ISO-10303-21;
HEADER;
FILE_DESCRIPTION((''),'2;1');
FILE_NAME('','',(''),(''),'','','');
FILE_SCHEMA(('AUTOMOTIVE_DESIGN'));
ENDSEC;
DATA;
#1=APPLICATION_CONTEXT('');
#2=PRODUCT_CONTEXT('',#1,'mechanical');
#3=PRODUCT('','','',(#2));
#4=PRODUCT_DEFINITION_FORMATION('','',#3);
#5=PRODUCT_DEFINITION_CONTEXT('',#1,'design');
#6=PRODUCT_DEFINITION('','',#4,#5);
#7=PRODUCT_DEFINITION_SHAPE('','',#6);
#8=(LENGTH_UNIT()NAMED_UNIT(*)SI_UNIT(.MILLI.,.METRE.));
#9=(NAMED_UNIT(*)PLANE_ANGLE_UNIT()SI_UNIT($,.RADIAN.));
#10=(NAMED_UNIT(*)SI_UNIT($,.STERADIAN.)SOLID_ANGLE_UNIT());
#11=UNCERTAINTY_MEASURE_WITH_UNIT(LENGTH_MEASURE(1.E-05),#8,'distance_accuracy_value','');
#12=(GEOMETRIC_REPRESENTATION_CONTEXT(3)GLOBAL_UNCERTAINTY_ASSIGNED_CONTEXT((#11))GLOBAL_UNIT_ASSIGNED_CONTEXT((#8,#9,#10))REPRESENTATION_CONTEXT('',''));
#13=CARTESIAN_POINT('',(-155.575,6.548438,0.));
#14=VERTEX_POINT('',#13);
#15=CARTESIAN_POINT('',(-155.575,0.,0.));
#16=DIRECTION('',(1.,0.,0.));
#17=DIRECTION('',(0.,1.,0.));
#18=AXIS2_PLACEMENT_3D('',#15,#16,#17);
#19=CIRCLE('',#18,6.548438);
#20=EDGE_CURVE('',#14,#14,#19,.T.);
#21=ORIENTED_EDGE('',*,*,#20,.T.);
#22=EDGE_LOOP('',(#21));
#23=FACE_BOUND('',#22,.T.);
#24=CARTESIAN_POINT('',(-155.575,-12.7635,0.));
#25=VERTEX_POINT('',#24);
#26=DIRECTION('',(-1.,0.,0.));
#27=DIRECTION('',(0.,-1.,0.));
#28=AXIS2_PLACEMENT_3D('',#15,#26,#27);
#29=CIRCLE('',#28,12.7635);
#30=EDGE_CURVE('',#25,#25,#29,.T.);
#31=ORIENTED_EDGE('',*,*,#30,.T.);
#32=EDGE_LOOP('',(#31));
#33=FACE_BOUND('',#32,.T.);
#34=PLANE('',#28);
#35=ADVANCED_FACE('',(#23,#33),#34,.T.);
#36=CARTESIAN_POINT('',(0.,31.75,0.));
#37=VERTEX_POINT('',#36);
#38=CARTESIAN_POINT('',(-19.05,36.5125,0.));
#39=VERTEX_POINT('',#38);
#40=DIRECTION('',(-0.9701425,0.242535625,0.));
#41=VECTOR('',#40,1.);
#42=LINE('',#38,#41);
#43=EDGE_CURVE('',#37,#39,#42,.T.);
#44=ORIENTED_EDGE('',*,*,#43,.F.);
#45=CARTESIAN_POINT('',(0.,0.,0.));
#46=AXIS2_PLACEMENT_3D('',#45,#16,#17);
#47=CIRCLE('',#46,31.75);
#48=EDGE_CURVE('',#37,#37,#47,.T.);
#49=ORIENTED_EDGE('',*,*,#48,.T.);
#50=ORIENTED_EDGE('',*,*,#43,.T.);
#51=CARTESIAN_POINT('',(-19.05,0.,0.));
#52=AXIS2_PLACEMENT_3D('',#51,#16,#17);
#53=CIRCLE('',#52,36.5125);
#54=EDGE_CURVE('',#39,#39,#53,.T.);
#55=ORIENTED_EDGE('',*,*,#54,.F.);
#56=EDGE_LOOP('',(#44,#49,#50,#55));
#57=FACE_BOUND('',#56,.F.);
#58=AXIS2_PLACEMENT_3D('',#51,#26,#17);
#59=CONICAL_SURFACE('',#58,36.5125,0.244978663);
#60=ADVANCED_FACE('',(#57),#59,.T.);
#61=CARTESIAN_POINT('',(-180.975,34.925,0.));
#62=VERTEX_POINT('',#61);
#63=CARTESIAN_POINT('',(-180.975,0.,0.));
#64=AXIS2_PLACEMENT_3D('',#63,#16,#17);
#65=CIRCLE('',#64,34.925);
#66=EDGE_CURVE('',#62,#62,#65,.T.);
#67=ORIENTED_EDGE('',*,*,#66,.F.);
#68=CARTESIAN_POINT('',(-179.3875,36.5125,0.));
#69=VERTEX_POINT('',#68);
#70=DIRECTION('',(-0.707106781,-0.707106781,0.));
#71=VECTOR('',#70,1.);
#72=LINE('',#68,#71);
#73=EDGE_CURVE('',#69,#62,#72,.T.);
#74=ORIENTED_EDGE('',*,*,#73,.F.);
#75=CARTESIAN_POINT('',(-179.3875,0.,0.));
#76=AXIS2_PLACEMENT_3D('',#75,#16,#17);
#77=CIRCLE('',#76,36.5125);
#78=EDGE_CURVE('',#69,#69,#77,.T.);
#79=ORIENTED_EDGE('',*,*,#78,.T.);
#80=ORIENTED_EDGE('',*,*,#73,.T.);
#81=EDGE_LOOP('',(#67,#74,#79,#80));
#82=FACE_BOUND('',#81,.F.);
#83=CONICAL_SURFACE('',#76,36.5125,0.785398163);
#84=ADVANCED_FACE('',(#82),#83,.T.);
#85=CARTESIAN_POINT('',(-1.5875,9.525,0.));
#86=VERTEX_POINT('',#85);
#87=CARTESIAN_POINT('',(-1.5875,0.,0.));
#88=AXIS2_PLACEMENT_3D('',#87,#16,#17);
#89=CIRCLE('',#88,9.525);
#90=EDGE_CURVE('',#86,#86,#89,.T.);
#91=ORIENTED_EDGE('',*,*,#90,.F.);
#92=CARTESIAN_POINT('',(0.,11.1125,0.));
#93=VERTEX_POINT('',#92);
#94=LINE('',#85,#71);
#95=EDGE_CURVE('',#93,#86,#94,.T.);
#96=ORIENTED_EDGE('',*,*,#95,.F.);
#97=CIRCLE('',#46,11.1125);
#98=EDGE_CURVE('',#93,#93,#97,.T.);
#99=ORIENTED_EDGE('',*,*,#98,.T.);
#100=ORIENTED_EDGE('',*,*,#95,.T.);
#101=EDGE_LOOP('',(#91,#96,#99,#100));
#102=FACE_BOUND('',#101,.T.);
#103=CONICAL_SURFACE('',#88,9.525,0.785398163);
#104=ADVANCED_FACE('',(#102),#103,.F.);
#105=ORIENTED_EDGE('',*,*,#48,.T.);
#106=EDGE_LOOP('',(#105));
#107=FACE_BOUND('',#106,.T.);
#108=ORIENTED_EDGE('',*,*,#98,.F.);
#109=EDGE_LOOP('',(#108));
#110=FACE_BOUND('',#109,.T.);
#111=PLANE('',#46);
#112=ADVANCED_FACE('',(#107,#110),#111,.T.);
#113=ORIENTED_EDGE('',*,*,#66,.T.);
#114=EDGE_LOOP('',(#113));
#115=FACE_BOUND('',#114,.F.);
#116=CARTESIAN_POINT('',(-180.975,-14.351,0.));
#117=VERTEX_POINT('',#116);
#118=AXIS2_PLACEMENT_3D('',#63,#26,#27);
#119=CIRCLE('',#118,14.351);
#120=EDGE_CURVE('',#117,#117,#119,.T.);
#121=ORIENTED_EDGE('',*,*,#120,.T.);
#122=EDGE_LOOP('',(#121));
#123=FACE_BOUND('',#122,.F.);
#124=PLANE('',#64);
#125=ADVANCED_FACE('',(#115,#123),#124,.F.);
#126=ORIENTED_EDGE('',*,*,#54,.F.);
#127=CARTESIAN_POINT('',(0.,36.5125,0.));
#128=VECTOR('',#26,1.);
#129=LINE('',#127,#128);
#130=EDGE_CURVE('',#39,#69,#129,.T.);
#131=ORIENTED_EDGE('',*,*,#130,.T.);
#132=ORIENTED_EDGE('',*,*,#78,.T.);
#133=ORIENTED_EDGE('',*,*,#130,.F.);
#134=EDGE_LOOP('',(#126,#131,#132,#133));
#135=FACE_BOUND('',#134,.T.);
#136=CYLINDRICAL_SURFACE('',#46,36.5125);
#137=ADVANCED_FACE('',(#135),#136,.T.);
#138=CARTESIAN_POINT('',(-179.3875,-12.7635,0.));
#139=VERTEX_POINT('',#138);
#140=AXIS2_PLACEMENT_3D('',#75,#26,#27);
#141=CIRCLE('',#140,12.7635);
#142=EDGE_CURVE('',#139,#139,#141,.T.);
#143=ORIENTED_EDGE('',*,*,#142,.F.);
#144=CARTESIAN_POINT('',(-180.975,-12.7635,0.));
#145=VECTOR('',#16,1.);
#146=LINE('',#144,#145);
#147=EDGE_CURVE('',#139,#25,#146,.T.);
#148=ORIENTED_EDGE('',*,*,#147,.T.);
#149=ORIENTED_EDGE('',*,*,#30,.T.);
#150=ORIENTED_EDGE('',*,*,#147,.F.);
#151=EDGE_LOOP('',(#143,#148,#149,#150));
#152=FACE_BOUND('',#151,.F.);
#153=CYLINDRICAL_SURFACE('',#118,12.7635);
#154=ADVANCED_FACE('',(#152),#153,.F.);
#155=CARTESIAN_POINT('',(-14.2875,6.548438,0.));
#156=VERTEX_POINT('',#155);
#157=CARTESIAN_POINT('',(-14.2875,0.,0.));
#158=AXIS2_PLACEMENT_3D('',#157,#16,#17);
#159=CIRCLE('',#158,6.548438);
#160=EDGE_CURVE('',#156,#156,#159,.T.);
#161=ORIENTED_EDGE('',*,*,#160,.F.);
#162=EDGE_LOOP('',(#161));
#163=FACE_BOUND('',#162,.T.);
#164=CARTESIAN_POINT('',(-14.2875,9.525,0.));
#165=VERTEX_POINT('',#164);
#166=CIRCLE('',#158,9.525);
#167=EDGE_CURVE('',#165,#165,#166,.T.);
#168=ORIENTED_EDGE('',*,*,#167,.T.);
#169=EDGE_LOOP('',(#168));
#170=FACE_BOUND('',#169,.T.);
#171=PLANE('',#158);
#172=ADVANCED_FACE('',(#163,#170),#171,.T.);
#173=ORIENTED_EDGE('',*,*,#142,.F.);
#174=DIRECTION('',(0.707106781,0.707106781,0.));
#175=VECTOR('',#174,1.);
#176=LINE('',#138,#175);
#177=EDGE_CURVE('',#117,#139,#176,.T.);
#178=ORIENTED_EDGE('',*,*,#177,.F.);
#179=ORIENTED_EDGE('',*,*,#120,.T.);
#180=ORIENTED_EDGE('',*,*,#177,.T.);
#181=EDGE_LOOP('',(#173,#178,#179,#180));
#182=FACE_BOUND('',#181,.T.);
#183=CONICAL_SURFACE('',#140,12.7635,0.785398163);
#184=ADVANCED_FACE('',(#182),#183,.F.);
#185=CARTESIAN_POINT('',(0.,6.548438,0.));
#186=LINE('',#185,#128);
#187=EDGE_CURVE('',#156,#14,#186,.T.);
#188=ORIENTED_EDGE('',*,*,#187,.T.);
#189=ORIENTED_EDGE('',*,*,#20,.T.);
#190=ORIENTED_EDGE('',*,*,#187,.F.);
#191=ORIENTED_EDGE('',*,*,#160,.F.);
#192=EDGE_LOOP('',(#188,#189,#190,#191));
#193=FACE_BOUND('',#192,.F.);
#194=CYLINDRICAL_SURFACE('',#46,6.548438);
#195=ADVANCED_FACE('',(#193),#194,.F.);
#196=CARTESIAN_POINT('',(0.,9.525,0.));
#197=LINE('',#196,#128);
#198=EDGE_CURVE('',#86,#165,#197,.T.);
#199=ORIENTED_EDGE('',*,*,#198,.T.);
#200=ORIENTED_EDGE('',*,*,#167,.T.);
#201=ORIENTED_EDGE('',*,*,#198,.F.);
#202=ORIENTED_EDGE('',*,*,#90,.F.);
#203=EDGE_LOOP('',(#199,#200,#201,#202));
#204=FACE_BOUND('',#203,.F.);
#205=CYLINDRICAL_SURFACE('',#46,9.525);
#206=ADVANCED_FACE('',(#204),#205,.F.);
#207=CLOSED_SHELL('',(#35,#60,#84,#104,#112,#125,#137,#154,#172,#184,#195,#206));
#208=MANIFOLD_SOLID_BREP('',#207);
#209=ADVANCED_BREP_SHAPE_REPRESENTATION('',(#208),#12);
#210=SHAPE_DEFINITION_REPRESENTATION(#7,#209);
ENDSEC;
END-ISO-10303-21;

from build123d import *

# Parameters (mm, degrees)
F0_R     = 36.5125
F1_DEPTH = 180.975
F2_R     = 6.5484375
F3_DEPTH = 180.976
F4_R     = 9.525
F5_DEPTH = 14.2875
F6_R     = 12.7635
F7_DEPTH = 25.4
F8_SIZE  = 1.5875
F9_SIZE2 = 19.05
F9_SIZE  = 4.7625


with BuildPart() as f1:
    # F0 (on Right) → F1 (new body)
    with BuildSketch(Plane.YZ):
        Circle(F0_R)
    extrude(amount=-F1_DEPTH)

    # F2 (on face) → F3 (cut, through all)
    with BuildSketch(Plane.YZ):
        Circle(F2_R)
    extrude(amount=-F3_DEPTH, mode=Mode.SUBTRACT)

    # F4 (on face) → F5 (cut)
    with BuildSketch(Plane.YZ):
        Circle(F4_R)
    extrude(amount=-F5_DEPTH, mode=Mode.SUBTRACT)

    # F6 (on face) → F7 (cut)
    with BuildSketch(Plane(origin=(-180.975, 0, 0), x_dir=(0, -1, 0), z_dir=(-1, 0, 0))):
        Circle(F6_R)
    extrude(amount=-F7_DEPTH, mode=Mode.SUBTRACT)

    # F8
    f8_edges = [f1.edges().sort_by_distance(p)[0] for p in [
        (0, -9.525, 0),
        (-180.975, -36.5125, 0),
        (-180.975, 12.7635, 0),
    ]]
    chamfer(f8_edges, length=F8_SIZE)

    # F9
    f9_edges = [f1.edges().sort_by_distance(p)[0] for p in [
        (0, -36.5125, 0),
    ]]
    f9_side = f1.faces().sort_by_distance((0, -12.145229, 0))[0]
    chamfer(f9_edges, length=F9_SIZE, length2=F9_SIZE2, reference=f9_side)


solid = f1.part
